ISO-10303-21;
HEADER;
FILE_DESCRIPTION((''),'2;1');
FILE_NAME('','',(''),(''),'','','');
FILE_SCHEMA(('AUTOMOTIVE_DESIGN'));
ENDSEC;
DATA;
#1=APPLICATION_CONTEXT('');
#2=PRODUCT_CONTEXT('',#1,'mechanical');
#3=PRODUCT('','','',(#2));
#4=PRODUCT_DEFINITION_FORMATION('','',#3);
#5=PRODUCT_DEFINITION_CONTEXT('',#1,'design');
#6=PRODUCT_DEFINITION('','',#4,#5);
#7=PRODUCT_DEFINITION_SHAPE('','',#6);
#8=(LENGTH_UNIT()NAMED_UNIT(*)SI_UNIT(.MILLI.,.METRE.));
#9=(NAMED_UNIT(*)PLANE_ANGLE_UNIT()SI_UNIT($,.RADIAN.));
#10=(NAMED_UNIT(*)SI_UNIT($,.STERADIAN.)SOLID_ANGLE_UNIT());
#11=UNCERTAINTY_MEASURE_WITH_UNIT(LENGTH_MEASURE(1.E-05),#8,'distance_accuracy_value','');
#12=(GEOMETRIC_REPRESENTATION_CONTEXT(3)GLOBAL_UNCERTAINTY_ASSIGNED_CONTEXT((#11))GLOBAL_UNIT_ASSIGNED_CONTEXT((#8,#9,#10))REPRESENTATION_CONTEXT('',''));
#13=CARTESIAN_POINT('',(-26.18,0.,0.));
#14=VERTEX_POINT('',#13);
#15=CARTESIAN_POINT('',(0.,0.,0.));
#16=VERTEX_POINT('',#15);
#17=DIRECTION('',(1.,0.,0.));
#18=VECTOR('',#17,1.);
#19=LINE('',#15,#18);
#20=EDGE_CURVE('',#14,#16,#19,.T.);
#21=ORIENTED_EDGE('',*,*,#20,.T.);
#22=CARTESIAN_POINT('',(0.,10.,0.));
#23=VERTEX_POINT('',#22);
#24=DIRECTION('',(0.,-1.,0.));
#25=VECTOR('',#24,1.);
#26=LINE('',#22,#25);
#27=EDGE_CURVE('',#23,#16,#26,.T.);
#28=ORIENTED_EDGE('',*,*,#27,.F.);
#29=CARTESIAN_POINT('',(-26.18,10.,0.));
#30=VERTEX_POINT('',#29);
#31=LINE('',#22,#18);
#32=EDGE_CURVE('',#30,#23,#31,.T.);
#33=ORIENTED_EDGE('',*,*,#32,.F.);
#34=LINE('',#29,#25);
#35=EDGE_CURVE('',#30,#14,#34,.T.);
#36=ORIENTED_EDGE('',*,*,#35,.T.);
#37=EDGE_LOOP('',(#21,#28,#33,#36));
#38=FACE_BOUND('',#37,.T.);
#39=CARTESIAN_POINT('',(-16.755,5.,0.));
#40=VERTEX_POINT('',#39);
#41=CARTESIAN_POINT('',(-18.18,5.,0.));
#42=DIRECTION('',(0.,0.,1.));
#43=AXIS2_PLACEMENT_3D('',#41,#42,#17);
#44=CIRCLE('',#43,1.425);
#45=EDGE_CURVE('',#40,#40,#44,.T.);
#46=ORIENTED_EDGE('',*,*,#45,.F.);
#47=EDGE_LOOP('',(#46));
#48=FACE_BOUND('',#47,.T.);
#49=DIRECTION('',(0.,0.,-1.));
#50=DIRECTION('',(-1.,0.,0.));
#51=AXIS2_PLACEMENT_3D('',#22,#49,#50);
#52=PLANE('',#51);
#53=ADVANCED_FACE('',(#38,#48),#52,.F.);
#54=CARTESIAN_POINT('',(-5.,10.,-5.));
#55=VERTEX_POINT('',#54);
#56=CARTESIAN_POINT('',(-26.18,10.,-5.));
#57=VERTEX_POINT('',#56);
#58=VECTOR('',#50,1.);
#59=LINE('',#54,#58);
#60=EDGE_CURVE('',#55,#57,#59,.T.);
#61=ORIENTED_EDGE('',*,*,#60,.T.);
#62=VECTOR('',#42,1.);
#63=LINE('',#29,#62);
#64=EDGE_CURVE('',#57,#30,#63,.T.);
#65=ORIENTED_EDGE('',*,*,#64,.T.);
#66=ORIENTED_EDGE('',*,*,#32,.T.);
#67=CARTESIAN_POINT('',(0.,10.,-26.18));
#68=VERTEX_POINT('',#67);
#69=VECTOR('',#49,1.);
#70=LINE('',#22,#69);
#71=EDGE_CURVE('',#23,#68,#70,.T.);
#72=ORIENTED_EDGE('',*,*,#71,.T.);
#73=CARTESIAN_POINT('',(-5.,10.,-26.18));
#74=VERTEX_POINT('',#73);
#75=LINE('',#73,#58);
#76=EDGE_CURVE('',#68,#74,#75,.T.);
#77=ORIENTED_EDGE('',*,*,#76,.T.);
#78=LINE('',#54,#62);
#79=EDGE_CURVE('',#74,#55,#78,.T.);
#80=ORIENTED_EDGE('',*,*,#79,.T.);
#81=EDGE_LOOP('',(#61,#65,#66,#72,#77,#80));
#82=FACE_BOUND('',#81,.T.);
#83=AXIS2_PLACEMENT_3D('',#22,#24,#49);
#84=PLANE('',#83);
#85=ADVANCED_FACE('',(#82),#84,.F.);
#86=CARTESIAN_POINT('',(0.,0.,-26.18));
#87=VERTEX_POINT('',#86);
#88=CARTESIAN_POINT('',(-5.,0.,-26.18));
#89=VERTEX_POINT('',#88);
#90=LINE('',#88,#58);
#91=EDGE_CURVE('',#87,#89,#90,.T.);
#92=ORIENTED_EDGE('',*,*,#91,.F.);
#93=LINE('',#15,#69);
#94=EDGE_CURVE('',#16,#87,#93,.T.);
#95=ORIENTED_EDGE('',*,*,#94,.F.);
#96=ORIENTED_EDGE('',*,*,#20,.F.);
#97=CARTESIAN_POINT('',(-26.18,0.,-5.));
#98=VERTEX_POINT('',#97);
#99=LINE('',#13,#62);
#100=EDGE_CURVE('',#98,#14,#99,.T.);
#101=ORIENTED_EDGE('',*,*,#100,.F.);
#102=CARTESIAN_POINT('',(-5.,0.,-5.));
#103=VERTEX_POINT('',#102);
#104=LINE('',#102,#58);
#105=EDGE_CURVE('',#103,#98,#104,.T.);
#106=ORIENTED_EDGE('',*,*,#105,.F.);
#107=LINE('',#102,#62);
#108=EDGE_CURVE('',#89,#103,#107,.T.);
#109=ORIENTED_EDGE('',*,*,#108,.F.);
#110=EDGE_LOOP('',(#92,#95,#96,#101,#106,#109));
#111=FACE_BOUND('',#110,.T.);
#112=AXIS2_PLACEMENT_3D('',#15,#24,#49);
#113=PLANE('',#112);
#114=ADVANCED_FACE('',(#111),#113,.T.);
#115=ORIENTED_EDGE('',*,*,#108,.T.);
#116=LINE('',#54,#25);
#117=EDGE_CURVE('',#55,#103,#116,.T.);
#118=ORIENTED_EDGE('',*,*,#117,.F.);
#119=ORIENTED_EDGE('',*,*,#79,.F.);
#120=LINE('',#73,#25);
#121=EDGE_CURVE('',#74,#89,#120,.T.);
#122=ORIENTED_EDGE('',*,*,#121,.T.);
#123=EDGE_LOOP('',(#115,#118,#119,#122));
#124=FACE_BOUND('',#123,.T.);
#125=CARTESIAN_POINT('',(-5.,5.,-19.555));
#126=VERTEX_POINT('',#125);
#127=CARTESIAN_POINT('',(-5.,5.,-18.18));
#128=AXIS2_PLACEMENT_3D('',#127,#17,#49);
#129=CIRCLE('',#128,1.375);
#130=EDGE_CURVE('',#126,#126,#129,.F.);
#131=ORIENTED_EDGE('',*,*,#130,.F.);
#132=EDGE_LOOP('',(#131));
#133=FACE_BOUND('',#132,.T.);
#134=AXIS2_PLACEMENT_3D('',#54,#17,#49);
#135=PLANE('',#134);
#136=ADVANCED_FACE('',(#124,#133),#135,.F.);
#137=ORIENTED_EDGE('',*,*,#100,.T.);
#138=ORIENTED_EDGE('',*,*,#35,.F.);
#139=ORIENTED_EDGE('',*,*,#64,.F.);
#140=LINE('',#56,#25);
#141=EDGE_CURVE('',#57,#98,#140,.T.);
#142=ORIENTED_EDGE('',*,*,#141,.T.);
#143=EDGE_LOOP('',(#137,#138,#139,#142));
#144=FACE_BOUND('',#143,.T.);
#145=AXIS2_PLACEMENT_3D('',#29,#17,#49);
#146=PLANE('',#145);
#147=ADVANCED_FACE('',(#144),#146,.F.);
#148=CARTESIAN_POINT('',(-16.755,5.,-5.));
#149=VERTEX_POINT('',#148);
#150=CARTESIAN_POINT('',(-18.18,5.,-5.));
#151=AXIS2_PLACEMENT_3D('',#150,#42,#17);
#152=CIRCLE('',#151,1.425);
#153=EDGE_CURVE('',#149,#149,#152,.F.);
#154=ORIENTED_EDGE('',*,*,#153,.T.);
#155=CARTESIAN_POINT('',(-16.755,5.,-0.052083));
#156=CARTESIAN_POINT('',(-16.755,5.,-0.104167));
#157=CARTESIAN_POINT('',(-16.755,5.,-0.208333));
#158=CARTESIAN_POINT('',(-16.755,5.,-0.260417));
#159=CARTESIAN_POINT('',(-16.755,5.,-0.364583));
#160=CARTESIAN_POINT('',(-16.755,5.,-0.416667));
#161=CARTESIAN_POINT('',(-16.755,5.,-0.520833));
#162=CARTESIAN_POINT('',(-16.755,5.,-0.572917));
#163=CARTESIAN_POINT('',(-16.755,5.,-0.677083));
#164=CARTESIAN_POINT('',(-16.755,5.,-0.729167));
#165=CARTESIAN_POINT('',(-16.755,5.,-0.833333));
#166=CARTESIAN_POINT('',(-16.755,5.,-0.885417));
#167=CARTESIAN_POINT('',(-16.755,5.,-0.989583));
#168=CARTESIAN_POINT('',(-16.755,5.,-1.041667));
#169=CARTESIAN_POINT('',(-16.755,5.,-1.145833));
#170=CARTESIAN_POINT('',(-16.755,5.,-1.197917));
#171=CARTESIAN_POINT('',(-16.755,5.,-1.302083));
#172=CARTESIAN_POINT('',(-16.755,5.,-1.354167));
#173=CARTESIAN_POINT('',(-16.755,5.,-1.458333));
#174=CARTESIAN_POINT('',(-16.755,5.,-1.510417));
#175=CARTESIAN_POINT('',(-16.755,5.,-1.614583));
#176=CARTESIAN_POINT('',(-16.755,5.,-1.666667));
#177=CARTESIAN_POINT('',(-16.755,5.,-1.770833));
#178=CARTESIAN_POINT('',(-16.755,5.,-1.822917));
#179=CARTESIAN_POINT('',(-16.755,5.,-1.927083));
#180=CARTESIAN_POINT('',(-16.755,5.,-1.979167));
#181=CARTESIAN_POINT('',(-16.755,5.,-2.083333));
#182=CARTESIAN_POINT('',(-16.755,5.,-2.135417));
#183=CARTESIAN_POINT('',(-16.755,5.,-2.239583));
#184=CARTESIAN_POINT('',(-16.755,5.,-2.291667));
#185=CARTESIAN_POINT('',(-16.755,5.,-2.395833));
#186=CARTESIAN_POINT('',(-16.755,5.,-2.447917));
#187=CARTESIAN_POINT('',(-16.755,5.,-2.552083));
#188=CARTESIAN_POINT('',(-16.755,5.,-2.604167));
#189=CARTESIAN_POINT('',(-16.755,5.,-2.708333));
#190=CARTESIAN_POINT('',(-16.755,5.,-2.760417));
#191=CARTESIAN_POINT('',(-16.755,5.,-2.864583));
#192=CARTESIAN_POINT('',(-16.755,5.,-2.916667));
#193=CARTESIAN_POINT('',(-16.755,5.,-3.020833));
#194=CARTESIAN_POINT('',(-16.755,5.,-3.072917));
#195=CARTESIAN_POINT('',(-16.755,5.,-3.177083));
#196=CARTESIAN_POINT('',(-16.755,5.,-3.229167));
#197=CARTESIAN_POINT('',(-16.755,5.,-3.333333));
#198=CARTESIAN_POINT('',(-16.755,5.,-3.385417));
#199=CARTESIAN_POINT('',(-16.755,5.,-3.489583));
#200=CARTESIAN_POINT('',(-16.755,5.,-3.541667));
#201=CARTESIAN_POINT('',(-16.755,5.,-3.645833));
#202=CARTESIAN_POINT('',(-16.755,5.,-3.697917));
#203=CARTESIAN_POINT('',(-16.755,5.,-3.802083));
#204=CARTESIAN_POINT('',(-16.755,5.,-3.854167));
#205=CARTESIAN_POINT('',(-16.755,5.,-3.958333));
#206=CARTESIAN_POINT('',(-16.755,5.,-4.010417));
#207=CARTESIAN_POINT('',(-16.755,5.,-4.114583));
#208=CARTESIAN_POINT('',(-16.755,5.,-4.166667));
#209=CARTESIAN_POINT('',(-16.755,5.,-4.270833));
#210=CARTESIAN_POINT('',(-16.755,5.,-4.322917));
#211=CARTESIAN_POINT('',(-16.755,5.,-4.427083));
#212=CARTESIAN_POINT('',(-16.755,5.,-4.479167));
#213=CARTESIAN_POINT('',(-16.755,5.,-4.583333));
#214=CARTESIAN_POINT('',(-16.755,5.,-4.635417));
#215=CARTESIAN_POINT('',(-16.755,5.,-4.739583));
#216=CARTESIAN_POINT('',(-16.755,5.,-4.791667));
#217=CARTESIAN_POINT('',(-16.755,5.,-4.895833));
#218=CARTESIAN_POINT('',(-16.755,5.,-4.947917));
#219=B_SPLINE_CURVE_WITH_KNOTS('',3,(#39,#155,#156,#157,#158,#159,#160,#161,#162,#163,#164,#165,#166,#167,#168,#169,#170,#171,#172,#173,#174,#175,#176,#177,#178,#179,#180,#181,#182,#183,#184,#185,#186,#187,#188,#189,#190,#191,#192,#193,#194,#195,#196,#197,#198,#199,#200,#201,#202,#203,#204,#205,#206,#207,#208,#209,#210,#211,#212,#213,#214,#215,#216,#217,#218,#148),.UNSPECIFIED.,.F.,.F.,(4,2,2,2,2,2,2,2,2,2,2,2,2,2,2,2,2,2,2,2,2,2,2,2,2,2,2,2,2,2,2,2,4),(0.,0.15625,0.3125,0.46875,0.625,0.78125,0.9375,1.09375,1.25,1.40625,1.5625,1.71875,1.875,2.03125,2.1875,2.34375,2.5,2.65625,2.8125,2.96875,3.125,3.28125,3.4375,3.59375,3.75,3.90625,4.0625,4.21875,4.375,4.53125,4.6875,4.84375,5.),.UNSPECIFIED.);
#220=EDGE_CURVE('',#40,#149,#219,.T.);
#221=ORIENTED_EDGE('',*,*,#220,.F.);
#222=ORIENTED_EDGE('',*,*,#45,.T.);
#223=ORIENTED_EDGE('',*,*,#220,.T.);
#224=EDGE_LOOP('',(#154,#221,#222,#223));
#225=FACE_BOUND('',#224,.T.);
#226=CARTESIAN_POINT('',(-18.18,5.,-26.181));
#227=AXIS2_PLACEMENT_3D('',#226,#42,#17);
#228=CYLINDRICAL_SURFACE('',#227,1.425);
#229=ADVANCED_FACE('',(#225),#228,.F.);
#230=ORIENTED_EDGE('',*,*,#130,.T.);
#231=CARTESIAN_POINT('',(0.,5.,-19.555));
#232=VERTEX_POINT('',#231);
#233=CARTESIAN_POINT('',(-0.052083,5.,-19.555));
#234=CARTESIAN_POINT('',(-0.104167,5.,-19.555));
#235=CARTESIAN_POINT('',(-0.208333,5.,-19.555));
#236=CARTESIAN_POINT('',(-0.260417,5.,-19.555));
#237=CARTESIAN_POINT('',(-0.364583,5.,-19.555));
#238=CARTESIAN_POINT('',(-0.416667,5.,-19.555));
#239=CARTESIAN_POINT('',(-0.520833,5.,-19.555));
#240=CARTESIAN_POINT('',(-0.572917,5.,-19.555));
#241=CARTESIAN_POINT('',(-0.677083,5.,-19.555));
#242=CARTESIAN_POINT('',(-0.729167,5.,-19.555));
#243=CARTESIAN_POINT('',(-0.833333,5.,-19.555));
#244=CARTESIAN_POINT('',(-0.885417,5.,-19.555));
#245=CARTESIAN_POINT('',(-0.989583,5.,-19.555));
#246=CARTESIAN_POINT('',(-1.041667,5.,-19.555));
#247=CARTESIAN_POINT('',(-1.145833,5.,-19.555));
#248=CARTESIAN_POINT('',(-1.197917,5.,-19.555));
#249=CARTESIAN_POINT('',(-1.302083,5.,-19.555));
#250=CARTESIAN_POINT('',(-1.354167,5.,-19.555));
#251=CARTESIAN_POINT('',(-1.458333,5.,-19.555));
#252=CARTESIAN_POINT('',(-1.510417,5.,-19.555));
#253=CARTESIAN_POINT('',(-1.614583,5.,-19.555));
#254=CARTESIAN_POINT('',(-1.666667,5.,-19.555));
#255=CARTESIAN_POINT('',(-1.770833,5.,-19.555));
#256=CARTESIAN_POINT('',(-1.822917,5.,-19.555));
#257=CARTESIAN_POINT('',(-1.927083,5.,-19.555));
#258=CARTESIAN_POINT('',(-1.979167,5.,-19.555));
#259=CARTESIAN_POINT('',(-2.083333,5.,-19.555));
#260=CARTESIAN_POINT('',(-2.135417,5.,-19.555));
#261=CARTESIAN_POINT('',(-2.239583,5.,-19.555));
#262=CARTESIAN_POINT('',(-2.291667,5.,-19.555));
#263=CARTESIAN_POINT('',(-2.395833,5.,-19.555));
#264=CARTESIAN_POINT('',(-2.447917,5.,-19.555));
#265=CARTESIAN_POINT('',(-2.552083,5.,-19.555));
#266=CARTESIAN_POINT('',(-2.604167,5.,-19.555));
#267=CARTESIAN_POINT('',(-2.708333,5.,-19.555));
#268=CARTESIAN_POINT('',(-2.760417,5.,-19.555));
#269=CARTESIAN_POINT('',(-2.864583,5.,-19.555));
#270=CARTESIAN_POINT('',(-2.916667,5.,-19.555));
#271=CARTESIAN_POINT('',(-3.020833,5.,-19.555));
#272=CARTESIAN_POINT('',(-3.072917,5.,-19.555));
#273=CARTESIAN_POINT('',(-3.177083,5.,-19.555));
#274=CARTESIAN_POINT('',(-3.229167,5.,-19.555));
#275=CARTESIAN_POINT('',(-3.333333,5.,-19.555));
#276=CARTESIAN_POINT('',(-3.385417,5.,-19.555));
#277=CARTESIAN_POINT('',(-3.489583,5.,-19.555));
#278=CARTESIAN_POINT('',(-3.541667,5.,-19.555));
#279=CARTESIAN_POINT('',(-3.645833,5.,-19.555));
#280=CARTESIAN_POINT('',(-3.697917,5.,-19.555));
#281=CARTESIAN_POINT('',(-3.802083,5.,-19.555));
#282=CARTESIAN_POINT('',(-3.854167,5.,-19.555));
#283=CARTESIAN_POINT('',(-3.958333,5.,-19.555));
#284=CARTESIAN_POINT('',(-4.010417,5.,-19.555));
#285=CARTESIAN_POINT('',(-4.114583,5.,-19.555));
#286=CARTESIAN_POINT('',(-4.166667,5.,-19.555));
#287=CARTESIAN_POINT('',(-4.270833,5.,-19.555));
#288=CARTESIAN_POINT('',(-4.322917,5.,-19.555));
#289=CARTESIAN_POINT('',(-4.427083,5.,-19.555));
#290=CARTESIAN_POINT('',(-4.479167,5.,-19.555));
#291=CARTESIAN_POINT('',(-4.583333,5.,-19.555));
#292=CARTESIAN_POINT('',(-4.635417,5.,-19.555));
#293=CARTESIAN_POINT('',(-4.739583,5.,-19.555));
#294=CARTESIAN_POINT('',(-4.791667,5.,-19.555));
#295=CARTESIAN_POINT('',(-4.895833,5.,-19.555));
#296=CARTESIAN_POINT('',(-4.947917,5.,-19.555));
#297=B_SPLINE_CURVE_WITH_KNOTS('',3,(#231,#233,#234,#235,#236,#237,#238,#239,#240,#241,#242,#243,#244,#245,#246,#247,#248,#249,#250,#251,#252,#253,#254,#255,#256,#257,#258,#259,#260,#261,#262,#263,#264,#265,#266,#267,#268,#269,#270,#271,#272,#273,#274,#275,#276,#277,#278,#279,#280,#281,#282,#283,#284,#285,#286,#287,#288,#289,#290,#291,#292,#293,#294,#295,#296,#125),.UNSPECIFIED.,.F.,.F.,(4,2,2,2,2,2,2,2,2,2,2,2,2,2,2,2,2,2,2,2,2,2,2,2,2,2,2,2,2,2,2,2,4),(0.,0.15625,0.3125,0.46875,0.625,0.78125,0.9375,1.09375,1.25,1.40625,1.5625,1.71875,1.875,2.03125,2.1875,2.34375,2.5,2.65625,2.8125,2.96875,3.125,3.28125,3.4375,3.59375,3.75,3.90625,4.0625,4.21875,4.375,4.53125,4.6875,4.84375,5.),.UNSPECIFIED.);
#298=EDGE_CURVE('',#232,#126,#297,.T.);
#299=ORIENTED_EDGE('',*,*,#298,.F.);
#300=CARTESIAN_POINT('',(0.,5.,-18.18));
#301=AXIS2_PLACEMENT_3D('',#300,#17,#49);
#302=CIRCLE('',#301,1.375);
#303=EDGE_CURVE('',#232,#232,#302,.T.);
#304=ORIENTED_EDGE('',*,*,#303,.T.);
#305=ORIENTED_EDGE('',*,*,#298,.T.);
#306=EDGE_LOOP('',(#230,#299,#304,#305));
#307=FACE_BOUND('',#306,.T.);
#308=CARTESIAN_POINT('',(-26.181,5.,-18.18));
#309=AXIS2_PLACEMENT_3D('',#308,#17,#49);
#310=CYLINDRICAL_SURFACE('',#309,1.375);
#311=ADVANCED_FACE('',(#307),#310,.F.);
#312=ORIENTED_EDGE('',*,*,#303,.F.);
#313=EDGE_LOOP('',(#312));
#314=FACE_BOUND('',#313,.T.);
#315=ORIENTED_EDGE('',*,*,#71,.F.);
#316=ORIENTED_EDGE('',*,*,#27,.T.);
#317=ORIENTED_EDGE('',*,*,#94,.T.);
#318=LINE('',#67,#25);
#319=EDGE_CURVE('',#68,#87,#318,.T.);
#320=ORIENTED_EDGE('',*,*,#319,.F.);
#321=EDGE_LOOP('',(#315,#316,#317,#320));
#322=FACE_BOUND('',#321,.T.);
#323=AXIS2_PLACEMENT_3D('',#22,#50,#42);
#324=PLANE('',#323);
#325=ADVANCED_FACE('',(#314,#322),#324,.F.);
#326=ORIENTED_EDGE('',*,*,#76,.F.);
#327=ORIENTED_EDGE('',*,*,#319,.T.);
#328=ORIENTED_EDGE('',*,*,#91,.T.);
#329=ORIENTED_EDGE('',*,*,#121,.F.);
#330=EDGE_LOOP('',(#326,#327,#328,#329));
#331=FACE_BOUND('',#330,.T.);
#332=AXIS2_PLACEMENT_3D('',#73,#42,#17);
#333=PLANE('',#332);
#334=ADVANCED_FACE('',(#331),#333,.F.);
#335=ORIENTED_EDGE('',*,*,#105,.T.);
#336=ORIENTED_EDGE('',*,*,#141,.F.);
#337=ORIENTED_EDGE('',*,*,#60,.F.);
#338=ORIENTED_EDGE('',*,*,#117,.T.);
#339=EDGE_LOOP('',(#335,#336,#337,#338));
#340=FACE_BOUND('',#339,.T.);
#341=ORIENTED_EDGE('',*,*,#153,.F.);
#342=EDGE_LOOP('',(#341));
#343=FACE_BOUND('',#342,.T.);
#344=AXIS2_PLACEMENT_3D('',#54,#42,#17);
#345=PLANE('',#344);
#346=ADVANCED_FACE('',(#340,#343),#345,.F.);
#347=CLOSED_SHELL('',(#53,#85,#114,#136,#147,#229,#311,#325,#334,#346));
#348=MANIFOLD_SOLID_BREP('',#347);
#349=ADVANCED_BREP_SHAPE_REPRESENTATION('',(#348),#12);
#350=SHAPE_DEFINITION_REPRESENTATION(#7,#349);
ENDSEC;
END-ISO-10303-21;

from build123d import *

# Parameters (mm, degrees)
BOSS_EXTRUDE1_DEPTH = 10
CUT_EXTRUDE2_REACH  = 40.351
SKETCH3_R           = 1.425
CUT_EXTRUDE3_REACH  = 40.351
SKETCH4_R           = 1.375


with BuildPart() as part:
    # Sketch2 → Boss-Extrude1 (new body)
    with BuildSketch(Plane(origin=(0, 0, 0), x_dir=(1, 0, 0), z_dir=(0, 1, 0))):
        Polygon((0, 0), (-26.18, 0), (-26.18, 5), (-5, 5), (-5, 26.18), (0, 26.18), align=None)
    extrude(amount=BOSS_EXTRUDE1_DEPTH)

    # Sketch3 → Cut-Extrude2 (cut, up to next)
    with BuildSketch(Plane.XY, mode=Mode.PRIVATE) as cut_extrude2_sk1:
        with Locations((-18.18, 5)):
            Circle(SKETCH3_R)
    cut_extrude2_tool1 = extrude(cut_extrude2_sk1.sketch, amount=-CUT_EXTRUDE2_REACH, mode=Mode.PRIVATE) & part.part
    add(cut_extrude2_tool1.solids().sort_by_distance((-18.18, 5, 0))[0], mode=Mode.SUBTRACT)

    # Sketch4 → Cut-Extrude3 (cut, up to next)
    with BuildSketch(Plane(origin=(0, 0, 0), x_dir=(0, 0, -1), z_dir=(1, 0, 0)), mode=Mode.PRIVATE) as cut_extrude3_sk1:
        with Locations((18.18, 5)):
            Circle(SKETCH4_R)
    cut_extrude3_tool1 = extrude(cut_extrude3_sk1.sketch, amount=-CUT_EXTRUDE3_REACH, mode=Mode.PRIVATE) & part.part
    add(cut_extrude3_tool1.solids().sort_by_distance((0, 5, -18.18))[0], mode=Mode.SUBTRACT)


solid = part.part
